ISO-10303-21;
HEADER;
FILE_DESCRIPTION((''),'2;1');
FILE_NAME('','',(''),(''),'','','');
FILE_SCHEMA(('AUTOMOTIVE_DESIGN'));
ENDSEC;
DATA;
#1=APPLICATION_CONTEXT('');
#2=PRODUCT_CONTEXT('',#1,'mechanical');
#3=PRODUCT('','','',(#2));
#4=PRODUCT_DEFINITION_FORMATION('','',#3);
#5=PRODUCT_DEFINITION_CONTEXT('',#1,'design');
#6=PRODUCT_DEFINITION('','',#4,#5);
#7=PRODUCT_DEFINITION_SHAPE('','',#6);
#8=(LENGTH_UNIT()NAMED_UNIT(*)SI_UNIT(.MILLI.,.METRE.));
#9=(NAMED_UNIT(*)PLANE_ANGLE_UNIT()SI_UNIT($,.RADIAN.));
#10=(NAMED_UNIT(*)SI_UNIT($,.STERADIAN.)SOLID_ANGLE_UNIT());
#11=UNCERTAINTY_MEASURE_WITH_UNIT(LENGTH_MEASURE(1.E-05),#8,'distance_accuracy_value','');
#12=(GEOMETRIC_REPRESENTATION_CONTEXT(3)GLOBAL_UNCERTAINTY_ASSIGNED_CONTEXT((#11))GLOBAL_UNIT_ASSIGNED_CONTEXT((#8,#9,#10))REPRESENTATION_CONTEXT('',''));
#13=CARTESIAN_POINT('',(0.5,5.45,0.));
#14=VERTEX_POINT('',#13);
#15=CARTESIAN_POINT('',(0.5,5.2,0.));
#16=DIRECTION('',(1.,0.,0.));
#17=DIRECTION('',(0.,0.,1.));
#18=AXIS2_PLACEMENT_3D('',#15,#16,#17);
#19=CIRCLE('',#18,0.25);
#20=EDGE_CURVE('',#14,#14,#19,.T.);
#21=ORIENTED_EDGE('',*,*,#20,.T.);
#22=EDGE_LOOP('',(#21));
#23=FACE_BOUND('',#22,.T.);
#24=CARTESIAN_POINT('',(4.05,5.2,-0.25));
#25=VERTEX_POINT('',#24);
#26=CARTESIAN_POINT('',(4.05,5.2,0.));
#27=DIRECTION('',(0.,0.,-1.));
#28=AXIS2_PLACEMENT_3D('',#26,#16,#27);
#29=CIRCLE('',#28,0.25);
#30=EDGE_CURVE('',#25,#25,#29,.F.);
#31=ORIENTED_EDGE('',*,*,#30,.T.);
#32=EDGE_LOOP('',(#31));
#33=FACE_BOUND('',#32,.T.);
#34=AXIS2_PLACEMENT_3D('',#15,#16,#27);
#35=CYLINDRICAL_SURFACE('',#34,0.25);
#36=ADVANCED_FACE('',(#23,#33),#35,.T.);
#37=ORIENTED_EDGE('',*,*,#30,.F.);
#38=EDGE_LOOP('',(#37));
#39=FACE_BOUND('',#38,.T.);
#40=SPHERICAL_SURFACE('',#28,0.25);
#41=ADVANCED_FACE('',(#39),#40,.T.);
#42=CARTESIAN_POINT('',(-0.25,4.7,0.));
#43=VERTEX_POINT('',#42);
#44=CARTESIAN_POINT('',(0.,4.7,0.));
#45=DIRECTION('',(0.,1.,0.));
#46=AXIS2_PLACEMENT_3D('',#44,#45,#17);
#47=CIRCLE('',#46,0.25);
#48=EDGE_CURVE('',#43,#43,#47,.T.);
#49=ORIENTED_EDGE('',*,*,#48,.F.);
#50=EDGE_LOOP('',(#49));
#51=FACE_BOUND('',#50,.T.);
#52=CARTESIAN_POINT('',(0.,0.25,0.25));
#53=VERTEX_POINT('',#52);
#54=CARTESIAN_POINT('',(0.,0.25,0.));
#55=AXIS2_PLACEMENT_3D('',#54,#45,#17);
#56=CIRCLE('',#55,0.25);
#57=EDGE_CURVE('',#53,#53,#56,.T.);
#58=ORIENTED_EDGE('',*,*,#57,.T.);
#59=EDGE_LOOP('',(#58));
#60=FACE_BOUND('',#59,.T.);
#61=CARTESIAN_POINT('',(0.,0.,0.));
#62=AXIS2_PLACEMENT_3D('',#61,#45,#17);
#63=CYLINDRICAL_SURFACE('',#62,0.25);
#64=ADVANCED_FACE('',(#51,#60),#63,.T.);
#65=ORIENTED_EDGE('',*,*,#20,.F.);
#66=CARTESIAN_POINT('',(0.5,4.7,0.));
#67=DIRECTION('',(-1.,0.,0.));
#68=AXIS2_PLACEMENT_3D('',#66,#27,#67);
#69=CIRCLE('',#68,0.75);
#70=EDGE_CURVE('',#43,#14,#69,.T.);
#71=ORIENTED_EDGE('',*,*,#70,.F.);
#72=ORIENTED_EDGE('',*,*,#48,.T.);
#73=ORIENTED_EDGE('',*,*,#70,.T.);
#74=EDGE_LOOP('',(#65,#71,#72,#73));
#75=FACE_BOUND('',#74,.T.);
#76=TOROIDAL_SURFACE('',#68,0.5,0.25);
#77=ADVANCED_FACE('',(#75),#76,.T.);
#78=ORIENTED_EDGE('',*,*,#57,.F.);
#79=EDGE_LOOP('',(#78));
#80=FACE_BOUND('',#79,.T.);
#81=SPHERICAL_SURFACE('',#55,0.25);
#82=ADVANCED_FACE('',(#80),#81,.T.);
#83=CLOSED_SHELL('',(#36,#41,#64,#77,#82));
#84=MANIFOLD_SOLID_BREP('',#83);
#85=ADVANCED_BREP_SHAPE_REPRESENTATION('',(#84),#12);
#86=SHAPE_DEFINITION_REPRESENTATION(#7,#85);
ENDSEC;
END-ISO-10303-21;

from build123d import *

# Parameters (mm, degrees)
SKETCH_2_R = 0.25
FILLET_1_R = 0.25


with BuildPart() as part:
    # 스윕3: sweep along a path in 스케치1
    with BuildLine(Plane.XY) as sweep_3_path:
        Line((0, 0), (0, 4.7))
        ThreePointArc((0, 4.7), (0.146446609, 5.053553391), (0.5, 5.2))
        Line((0.5, 5.2), (4.3, 5.2))
    # 스케치2 → 스윕3 (sweep)
    with BuildSketch(Plane(origin=(0, 0, 0), x_dir=(1, 0, 0), z_dir=(0, 1, 0))):
        Circle(SKETCH_2_R)
    sweep(path=sweep_3_path.line)

    # 필렛1
    fillet_1_edges = [part.edges().sort_by_distance(p)[0] for p in [
        (4.3, 5.45, 0),
        (-0.25, 0, 0),
    ]]
    fillet(fillet_1_edges, radius=FILLET_1_R)


solid = part.part
